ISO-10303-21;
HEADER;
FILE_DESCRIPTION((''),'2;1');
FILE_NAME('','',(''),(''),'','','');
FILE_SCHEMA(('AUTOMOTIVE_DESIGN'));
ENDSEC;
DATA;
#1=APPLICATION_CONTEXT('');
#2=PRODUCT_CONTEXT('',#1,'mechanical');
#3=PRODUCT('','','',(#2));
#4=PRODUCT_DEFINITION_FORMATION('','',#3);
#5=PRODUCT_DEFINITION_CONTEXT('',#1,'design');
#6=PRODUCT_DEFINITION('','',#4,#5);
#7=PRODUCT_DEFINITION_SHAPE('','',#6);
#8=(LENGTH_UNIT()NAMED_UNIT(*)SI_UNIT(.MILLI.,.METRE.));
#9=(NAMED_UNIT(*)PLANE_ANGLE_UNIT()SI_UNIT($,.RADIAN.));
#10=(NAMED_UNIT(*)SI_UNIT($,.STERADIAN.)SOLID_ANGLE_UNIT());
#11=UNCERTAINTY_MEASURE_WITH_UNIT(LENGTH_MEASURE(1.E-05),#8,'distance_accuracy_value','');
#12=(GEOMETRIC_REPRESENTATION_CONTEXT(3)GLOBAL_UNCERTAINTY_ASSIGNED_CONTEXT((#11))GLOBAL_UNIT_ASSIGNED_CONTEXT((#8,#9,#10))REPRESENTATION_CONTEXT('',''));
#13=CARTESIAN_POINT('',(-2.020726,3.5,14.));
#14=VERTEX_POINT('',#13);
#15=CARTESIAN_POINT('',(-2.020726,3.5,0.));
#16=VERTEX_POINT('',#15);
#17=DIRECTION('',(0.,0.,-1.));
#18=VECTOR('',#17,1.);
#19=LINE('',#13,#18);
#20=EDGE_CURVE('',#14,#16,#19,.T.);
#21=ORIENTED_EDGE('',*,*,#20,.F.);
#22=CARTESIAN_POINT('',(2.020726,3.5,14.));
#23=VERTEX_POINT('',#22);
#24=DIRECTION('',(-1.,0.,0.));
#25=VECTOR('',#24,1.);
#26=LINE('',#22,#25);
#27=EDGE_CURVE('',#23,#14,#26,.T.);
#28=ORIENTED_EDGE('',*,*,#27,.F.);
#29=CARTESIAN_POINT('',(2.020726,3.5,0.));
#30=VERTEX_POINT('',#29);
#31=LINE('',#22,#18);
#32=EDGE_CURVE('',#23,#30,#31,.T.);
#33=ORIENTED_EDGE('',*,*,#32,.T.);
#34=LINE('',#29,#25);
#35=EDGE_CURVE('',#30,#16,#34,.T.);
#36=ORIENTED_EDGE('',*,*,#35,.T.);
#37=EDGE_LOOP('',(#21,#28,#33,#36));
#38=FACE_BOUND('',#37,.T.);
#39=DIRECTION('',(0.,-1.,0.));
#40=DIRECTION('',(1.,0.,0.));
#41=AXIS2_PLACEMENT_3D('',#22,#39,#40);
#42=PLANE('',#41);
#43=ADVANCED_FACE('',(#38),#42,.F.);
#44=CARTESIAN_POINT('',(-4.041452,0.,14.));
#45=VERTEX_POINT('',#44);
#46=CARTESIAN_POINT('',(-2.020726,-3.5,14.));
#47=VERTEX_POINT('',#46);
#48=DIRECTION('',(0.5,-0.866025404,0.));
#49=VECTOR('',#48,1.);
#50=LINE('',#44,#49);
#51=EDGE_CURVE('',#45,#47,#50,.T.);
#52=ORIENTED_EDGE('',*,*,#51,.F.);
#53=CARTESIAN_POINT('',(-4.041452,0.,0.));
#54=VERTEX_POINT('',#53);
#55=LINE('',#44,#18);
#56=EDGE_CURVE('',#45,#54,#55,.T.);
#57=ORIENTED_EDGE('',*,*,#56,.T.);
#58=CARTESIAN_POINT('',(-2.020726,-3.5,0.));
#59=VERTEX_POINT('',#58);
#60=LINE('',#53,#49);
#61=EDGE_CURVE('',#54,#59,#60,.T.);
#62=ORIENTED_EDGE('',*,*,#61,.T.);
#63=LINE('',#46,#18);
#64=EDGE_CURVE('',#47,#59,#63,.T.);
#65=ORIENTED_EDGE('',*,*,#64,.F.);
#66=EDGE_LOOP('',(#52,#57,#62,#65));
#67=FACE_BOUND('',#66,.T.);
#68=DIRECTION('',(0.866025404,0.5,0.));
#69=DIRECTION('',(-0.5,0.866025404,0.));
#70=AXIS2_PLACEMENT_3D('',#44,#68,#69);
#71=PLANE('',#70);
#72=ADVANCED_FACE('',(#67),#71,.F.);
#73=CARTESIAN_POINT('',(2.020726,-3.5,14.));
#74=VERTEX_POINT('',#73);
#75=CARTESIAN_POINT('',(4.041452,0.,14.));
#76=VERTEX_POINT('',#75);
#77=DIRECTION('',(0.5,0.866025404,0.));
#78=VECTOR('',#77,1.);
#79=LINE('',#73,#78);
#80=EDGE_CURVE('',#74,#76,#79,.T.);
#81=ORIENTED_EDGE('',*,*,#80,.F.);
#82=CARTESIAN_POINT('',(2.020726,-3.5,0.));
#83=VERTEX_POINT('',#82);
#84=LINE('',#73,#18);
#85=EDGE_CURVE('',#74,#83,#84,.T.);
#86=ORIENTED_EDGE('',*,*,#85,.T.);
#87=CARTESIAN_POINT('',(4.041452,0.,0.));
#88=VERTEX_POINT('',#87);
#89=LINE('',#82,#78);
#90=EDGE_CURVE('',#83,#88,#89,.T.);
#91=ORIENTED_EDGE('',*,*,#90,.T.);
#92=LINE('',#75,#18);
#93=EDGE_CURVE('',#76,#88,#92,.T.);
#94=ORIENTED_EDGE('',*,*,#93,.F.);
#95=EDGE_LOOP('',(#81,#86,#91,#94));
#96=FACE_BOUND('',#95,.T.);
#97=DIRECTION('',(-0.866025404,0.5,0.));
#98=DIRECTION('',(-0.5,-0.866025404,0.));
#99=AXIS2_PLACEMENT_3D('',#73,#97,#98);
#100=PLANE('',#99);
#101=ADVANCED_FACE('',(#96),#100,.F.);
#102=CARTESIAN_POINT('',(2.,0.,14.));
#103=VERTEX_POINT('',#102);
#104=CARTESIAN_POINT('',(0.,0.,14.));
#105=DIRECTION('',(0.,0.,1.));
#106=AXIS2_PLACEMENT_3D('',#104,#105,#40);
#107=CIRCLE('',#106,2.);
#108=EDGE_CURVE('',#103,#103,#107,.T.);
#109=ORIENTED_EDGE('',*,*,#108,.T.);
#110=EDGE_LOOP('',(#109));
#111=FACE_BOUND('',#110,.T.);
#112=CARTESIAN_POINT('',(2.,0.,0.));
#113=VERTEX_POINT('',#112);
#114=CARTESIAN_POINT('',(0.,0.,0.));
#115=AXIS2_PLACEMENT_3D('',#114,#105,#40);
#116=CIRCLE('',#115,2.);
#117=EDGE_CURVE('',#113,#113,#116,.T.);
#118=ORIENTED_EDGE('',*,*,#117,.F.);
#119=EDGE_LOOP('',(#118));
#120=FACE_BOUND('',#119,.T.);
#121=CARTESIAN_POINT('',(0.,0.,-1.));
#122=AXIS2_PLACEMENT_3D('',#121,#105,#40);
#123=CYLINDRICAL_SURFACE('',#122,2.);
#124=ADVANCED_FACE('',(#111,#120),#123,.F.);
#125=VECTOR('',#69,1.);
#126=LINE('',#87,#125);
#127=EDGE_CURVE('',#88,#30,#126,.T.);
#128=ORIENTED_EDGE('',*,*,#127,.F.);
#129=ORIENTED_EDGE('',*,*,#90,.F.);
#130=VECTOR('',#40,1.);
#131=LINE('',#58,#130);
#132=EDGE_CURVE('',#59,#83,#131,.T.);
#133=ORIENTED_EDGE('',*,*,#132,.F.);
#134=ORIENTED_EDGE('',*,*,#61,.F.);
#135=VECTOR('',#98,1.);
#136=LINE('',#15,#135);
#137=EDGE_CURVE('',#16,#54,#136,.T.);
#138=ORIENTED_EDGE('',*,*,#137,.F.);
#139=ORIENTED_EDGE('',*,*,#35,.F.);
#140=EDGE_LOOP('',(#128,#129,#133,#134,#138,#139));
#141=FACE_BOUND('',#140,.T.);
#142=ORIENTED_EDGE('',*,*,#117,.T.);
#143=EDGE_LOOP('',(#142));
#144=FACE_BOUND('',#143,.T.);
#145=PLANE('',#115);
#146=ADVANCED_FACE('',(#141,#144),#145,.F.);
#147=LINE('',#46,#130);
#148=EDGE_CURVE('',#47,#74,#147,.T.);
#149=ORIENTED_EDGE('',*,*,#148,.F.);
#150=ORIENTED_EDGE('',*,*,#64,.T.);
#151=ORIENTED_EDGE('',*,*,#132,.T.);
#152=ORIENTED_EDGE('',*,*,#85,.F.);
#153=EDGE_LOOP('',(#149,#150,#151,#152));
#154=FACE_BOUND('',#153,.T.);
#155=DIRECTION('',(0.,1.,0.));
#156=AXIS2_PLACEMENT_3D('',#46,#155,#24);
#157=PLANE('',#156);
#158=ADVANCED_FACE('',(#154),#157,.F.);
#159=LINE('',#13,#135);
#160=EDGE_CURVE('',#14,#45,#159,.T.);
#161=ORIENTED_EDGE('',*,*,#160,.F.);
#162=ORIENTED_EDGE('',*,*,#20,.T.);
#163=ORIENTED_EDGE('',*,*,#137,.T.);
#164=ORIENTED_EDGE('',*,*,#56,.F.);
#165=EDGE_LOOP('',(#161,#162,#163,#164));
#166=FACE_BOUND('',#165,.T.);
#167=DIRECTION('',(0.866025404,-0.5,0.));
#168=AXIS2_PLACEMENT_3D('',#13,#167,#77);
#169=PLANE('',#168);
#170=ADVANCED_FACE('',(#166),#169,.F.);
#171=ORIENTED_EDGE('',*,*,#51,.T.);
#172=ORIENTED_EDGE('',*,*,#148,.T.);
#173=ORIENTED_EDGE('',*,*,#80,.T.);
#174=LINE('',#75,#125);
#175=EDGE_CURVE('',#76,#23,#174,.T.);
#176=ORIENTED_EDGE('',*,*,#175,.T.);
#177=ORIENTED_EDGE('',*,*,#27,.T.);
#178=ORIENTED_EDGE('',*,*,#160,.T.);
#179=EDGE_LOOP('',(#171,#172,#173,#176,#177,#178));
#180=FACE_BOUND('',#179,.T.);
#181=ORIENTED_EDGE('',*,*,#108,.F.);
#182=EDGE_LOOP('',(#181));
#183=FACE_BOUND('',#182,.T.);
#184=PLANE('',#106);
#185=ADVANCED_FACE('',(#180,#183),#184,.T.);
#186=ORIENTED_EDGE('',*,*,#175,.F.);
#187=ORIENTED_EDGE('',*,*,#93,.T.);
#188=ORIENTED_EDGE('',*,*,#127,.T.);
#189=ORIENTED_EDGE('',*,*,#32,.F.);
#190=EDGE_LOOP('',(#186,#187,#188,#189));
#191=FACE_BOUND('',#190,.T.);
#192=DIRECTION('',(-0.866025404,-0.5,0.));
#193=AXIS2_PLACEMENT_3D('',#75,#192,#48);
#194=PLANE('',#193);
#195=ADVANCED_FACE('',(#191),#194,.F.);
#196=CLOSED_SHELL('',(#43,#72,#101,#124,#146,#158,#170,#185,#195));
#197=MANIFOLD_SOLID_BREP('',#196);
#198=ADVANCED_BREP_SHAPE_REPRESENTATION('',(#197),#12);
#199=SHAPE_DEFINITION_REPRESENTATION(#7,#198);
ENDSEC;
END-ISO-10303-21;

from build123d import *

# Parameters (mm, degrees)
ESTRUSIONE_ESTRUSIONE1_DEPTH = 14
SCHIZZO2_R                   = 2
TAGLIO_ESTRUSIONE1_DEPTH     = 15


with BuildPart() as part:
    # Schizzo1 → Estrusione-Estrusione1 (new body)
    with BuildSketch(Plane.XY):
        Polygon((2.020725942, 3.5), (-2.020725942, 3.5), (-4.041451884, 0), (-2.020725942, -3.5), (2.020725942, -3.5), (4.041451884, 0), align=None)
    extrude(amount=ESTRUSIONE_ESTRUSIONE1_DEPTH)

    # Schizzo2 → Taglio-Estrusione1 (cut)
    with BuildSketch(Plane.XY.offset(14)):
        Circle(SCHIZZO2_R)
    extrude(amount=-TAGLIO_ESTRUSIONE1_DEPTH, mode=Mode.SUBTRACT)


solid = part.part
